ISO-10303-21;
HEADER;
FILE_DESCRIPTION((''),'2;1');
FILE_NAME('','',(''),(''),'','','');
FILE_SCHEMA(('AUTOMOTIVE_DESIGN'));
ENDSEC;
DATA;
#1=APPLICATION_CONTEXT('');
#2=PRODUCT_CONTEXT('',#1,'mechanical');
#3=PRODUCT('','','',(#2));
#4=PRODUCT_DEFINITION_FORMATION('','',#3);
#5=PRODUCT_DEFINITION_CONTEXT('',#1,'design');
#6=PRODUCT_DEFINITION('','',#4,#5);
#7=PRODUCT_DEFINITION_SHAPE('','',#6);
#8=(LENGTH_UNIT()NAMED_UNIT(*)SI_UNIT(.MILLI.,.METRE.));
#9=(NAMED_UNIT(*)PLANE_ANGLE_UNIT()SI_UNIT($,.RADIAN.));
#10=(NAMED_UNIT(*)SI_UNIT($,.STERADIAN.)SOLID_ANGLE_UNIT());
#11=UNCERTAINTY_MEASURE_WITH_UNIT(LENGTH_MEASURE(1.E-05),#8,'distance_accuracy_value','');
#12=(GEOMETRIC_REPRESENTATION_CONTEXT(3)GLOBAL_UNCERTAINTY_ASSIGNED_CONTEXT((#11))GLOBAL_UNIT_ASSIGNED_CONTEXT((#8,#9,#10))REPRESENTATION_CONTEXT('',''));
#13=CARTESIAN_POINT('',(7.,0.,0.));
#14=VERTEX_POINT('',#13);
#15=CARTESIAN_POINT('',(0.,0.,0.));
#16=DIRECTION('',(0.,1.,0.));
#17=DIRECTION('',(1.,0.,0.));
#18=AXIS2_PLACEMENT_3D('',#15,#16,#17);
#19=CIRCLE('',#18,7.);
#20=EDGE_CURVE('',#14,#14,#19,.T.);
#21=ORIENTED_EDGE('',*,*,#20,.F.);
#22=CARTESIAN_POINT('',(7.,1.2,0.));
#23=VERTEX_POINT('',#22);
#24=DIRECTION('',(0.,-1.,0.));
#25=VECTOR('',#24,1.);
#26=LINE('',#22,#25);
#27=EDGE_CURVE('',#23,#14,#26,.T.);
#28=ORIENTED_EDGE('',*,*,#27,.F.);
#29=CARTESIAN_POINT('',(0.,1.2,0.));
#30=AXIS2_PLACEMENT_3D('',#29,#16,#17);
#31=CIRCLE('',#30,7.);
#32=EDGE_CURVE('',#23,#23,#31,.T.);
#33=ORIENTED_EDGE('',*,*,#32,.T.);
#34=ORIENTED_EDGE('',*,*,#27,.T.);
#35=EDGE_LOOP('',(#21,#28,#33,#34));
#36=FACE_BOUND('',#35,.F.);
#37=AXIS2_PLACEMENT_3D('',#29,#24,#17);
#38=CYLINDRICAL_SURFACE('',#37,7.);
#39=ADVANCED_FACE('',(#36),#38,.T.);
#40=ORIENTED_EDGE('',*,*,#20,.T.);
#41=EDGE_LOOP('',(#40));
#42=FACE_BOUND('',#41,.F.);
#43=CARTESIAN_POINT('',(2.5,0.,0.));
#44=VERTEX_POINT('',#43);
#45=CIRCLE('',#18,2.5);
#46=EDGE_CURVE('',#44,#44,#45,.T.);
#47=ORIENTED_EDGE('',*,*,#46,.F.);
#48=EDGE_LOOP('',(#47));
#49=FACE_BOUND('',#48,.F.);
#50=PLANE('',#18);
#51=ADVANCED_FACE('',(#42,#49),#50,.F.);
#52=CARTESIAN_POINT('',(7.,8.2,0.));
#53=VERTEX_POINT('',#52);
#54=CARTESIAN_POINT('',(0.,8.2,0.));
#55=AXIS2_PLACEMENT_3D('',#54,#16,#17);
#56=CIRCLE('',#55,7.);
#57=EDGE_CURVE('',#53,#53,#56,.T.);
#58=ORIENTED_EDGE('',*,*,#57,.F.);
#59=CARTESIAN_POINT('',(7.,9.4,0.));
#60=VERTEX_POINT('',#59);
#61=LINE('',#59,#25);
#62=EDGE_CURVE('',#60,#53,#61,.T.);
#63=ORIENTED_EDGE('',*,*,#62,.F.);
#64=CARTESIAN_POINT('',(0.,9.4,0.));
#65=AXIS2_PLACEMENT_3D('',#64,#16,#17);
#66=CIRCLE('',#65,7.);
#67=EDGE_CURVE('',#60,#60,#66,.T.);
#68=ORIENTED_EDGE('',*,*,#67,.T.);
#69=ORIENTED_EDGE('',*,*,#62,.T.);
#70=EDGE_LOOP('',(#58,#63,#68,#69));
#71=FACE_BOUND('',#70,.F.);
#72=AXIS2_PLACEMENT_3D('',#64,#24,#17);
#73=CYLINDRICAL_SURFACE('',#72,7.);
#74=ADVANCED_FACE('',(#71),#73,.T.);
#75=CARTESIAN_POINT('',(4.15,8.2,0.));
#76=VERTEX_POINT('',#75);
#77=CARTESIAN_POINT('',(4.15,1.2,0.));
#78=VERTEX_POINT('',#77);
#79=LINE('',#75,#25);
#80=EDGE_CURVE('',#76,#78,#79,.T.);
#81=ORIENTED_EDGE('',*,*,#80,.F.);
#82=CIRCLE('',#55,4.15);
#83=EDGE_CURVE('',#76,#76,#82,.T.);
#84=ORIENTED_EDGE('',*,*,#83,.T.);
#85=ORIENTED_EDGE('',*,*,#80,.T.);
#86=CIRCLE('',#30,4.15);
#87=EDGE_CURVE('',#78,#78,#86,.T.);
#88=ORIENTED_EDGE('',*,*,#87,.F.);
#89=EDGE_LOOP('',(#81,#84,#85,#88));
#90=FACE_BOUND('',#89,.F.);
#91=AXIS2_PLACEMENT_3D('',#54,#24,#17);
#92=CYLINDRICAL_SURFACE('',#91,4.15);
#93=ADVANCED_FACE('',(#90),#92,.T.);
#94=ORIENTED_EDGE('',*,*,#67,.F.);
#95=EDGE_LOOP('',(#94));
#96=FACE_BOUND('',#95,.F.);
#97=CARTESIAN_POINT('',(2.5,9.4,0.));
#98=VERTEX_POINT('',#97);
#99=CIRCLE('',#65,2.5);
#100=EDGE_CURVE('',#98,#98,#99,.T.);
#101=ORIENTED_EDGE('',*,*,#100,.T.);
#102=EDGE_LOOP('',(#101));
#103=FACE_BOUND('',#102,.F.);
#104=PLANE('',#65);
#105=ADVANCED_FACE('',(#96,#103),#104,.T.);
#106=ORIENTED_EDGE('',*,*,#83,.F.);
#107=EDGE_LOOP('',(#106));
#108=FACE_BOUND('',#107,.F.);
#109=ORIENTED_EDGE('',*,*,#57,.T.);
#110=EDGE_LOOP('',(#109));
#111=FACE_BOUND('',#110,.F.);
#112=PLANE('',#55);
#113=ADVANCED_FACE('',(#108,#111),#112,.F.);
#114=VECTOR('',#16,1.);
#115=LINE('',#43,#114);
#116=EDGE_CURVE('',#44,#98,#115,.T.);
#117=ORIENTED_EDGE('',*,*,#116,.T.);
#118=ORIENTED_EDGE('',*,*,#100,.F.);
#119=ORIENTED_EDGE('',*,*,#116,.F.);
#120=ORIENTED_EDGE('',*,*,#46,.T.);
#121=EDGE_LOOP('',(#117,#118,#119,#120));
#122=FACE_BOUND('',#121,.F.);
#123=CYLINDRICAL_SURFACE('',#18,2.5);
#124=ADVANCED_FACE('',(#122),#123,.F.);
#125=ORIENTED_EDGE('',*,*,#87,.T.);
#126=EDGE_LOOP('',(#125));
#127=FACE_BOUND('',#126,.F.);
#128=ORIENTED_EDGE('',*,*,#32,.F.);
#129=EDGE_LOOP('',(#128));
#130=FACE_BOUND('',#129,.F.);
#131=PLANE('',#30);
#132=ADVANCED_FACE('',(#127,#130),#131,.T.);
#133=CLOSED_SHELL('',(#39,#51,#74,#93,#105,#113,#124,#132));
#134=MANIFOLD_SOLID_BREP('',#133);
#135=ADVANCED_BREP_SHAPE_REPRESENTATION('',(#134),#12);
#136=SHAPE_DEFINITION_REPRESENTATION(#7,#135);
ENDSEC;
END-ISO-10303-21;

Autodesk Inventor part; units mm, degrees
ref_plane "YZ Plane" through (0, 0, 0) normal (1, 0, 0) x (0, 1, 0)
ref_plane "XZ Plane" through (0, 0, 0) normal (0, 1, 0) x (-1, 0, 0)
ref_plane "XY Plane" through (0, 0, 0) normal (0, 0, 1) x (1, 0, 0)
sketch "Sketch1" plane through (0, 0, 0) normal (0, 0, 1) x (1, 0, 0)
  line L0 (2.5, 0) -> (2.5, 9.4)
  line L1 (2.5, 9.4) -> (7, 9.4)
  line L2 (7, 9.4) -> (7, 8.2)
  line L3 (7, 8.2) -> (4.15, 8.2)
  line L4 (4.15, 8.2) -> (4.15, 1.2)
  line L5 (4.15, 1.2) -> (7, 1.2)
  line L6 (7, 1.2) -> (7, 0)
  line L7 (7, 0) -> (2.5, 0)
  line L8 (0, 0) -> (0, 3.2914)
  dimension "d0" = 2.5
  dimension "d2" = 9.4
  dimension "d3" = 1.2
  dimension "d4" = 1.2
  dimension "d5" = 7
  dimension "d6" = 4.15
revolve "Revolution1" add sketch "Sketch1" angle 360 about axis through (0, 0, 0) along (0, 1, 0)
properties part number "XcrLeftPulleyAlu"
